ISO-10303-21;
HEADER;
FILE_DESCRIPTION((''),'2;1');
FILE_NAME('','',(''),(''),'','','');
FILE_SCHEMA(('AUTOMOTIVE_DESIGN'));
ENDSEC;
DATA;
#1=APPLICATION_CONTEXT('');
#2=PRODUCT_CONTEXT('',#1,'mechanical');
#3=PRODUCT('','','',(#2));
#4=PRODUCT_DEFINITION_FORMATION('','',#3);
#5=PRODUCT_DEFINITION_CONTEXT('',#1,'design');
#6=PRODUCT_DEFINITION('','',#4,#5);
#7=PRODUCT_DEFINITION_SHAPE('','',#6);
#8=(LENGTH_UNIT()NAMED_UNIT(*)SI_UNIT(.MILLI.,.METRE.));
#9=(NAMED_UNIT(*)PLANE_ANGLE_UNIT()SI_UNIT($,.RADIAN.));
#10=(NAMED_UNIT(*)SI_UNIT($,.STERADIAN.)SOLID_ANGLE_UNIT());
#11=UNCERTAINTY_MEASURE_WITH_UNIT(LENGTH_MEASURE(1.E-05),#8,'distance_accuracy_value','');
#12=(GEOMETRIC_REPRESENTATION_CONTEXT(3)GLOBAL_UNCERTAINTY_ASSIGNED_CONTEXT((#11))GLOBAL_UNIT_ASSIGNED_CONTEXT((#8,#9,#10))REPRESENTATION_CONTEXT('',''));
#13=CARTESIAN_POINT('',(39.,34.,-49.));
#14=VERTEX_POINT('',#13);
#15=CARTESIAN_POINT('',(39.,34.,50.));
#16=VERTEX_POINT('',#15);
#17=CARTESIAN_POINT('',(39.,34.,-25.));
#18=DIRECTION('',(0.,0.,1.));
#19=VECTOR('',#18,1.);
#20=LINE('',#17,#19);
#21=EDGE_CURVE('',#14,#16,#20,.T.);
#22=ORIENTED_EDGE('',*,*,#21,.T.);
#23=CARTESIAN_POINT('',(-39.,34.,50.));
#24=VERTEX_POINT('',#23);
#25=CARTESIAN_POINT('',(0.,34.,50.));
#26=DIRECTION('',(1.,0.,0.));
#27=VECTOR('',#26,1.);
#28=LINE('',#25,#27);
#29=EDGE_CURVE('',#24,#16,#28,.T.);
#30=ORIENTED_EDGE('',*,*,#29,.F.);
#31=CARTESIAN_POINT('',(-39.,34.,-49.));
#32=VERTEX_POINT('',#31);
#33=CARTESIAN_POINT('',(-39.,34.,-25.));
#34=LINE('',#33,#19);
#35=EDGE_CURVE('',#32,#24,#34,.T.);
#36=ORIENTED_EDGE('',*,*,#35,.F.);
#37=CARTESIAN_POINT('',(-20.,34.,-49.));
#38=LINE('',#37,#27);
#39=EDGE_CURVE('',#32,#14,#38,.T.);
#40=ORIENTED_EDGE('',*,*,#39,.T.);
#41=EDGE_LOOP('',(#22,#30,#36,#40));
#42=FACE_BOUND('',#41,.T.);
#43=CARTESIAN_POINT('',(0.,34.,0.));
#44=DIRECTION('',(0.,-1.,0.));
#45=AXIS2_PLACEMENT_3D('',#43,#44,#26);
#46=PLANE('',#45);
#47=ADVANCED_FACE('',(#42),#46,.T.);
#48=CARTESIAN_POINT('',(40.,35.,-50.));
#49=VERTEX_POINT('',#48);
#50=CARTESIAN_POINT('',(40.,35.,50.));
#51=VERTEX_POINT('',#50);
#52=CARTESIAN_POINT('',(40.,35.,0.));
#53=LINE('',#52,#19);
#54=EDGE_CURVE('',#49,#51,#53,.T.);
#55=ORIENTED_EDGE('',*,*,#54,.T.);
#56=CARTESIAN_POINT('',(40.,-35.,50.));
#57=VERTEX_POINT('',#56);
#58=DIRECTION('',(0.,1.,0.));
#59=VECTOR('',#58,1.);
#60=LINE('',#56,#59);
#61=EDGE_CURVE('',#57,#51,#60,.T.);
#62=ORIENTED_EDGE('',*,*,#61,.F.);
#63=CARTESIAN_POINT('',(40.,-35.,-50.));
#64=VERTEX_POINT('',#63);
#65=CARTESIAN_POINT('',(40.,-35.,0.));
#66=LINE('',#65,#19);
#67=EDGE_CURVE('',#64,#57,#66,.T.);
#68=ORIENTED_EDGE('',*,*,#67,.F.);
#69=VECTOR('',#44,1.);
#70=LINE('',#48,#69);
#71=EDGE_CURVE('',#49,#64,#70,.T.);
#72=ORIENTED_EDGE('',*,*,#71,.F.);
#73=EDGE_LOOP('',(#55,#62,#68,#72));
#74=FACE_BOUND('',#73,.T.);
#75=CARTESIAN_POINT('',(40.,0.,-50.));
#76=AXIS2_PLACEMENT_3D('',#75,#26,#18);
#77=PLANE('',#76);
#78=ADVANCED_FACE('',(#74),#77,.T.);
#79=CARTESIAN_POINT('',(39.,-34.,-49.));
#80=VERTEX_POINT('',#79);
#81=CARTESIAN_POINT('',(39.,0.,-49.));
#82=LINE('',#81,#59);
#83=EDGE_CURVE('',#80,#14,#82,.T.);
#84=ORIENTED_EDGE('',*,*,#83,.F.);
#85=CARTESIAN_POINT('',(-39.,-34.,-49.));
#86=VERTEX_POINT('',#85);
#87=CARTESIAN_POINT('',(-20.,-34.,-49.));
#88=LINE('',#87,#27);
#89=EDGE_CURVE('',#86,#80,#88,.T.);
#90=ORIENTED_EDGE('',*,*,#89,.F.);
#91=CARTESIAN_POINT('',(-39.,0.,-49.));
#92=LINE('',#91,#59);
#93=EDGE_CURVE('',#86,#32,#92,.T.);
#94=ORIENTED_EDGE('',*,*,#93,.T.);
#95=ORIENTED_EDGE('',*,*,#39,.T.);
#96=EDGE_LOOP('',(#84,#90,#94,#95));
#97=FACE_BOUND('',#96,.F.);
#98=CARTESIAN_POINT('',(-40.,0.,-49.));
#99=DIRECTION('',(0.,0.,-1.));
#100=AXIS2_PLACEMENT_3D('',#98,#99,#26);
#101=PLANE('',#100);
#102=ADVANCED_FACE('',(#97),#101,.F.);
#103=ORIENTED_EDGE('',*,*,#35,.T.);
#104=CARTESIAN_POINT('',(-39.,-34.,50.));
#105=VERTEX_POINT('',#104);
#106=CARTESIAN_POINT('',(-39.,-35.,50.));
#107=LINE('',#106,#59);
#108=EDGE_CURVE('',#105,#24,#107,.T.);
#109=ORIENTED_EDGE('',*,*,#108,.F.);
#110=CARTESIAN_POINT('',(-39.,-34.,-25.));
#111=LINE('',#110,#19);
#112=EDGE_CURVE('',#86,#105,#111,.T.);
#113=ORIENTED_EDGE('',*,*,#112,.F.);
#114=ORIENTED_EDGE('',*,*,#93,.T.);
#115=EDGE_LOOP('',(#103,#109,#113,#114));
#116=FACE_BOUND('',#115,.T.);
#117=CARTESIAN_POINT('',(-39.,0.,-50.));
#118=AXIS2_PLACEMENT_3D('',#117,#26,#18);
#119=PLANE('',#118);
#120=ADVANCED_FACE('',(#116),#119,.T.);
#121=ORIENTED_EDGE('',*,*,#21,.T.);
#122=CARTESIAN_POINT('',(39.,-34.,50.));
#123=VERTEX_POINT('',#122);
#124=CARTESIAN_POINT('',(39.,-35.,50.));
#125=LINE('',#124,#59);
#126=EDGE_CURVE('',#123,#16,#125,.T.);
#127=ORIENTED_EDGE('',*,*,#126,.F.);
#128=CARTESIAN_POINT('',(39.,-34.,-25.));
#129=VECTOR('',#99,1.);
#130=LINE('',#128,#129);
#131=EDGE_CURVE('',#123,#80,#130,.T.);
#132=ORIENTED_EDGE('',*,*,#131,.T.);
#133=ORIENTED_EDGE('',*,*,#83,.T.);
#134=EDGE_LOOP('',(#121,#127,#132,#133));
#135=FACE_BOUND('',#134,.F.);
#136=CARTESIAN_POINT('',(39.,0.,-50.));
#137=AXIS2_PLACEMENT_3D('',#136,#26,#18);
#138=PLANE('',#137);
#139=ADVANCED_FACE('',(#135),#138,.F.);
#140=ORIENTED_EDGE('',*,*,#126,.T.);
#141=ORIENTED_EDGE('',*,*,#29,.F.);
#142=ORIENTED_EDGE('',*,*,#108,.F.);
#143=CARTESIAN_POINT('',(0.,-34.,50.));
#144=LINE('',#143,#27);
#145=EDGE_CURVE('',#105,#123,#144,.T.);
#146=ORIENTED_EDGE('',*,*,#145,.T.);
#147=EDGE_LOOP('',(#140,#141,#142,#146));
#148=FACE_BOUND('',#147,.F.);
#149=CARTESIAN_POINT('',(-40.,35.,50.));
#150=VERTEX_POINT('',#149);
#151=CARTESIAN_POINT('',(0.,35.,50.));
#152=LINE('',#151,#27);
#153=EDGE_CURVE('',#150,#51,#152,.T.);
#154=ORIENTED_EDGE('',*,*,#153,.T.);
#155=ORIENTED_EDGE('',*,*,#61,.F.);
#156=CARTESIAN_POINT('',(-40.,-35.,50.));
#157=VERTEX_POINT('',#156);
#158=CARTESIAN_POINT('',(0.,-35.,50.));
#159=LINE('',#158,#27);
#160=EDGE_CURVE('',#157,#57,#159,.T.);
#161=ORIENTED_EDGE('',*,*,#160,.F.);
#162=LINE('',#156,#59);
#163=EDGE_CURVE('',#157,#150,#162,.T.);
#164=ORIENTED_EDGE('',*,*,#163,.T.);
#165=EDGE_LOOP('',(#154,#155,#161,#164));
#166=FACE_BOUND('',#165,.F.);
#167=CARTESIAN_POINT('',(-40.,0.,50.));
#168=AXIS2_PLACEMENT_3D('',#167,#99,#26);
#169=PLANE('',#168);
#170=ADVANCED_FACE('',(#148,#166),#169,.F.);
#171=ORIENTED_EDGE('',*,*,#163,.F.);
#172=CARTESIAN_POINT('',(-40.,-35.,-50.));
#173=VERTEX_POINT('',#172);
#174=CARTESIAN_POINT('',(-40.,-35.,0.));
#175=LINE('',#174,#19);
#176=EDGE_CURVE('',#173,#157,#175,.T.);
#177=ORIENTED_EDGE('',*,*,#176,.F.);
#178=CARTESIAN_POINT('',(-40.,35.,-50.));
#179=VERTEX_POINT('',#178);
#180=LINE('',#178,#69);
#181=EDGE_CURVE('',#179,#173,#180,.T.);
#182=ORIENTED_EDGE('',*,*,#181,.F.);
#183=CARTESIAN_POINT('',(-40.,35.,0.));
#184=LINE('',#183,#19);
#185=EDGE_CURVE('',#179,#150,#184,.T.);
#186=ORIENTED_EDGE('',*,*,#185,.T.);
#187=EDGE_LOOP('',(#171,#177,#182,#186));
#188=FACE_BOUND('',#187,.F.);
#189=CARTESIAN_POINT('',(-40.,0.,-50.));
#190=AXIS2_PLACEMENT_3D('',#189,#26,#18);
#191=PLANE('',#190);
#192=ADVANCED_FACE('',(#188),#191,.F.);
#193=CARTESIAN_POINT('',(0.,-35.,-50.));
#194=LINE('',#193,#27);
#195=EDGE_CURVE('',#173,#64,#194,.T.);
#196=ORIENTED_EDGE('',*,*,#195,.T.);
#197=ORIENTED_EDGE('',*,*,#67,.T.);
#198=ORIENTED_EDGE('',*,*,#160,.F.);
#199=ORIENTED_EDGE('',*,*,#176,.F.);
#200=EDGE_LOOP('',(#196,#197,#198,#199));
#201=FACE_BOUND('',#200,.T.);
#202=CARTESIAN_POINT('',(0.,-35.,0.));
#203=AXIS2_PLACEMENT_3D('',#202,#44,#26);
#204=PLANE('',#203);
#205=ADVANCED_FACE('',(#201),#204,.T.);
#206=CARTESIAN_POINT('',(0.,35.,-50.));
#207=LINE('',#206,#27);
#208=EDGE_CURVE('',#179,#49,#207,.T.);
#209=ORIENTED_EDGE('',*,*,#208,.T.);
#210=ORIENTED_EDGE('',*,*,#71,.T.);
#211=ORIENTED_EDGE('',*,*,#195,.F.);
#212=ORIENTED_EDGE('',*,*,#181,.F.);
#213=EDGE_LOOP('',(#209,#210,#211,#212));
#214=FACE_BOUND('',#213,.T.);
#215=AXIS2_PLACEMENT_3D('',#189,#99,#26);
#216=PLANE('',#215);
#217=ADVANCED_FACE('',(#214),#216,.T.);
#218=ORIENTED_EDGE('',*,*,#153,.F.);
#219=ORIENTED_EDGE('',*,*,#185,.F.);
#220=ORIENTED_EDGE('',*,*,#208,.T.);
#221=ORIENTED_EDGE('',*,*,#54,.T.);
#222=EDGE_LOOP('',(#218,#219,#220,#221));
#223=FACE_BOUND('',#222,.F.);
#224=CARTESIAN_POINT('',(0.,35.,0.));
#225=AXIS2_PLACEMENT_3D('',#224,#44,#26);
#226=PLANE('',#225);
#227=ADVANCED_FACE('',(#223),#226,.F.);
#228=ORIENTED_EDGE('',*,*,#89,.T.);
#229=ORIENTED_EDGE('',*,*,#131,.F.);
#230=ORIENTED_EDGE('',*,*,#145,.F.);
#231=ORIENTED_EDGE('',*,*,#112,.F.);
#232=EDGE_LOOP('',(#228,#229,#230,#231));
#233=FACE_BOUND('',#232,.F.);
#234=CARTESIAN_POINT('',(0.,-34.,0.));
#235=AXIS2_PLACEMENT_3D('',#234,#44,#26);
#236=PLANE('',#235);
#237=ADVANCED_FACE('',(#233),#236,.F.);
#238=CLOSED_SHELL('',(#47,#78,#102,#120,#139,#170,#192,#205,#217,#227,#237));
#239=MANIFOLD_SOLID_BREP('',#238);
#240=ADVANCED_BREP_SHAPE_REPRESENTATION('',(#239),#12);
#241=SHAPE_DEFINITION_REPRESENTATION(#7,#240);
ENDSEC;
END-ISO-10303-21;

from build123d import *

# Parameters (mm, degrees)
F0_W     = 80
F0_H     = 100
F1_DEPTH = 35
F2_T     = -1


with BuildPart() as f1:
    # F0 (on Front) → F1 (new body, symmetric)
    with BuildSketch(Plane.XZ):
        Rectangle(F0_W, F0_H)
    extrude(amount=F1_DEPTH, both=True)

    # F2
    f2_openings = [f1.faces().sort_by_distance(p)[0] for p in [
        (0, 0, 50),
    ]]
    offset(amount=F2_T, openings=f2_openings)


solid = f1.part
